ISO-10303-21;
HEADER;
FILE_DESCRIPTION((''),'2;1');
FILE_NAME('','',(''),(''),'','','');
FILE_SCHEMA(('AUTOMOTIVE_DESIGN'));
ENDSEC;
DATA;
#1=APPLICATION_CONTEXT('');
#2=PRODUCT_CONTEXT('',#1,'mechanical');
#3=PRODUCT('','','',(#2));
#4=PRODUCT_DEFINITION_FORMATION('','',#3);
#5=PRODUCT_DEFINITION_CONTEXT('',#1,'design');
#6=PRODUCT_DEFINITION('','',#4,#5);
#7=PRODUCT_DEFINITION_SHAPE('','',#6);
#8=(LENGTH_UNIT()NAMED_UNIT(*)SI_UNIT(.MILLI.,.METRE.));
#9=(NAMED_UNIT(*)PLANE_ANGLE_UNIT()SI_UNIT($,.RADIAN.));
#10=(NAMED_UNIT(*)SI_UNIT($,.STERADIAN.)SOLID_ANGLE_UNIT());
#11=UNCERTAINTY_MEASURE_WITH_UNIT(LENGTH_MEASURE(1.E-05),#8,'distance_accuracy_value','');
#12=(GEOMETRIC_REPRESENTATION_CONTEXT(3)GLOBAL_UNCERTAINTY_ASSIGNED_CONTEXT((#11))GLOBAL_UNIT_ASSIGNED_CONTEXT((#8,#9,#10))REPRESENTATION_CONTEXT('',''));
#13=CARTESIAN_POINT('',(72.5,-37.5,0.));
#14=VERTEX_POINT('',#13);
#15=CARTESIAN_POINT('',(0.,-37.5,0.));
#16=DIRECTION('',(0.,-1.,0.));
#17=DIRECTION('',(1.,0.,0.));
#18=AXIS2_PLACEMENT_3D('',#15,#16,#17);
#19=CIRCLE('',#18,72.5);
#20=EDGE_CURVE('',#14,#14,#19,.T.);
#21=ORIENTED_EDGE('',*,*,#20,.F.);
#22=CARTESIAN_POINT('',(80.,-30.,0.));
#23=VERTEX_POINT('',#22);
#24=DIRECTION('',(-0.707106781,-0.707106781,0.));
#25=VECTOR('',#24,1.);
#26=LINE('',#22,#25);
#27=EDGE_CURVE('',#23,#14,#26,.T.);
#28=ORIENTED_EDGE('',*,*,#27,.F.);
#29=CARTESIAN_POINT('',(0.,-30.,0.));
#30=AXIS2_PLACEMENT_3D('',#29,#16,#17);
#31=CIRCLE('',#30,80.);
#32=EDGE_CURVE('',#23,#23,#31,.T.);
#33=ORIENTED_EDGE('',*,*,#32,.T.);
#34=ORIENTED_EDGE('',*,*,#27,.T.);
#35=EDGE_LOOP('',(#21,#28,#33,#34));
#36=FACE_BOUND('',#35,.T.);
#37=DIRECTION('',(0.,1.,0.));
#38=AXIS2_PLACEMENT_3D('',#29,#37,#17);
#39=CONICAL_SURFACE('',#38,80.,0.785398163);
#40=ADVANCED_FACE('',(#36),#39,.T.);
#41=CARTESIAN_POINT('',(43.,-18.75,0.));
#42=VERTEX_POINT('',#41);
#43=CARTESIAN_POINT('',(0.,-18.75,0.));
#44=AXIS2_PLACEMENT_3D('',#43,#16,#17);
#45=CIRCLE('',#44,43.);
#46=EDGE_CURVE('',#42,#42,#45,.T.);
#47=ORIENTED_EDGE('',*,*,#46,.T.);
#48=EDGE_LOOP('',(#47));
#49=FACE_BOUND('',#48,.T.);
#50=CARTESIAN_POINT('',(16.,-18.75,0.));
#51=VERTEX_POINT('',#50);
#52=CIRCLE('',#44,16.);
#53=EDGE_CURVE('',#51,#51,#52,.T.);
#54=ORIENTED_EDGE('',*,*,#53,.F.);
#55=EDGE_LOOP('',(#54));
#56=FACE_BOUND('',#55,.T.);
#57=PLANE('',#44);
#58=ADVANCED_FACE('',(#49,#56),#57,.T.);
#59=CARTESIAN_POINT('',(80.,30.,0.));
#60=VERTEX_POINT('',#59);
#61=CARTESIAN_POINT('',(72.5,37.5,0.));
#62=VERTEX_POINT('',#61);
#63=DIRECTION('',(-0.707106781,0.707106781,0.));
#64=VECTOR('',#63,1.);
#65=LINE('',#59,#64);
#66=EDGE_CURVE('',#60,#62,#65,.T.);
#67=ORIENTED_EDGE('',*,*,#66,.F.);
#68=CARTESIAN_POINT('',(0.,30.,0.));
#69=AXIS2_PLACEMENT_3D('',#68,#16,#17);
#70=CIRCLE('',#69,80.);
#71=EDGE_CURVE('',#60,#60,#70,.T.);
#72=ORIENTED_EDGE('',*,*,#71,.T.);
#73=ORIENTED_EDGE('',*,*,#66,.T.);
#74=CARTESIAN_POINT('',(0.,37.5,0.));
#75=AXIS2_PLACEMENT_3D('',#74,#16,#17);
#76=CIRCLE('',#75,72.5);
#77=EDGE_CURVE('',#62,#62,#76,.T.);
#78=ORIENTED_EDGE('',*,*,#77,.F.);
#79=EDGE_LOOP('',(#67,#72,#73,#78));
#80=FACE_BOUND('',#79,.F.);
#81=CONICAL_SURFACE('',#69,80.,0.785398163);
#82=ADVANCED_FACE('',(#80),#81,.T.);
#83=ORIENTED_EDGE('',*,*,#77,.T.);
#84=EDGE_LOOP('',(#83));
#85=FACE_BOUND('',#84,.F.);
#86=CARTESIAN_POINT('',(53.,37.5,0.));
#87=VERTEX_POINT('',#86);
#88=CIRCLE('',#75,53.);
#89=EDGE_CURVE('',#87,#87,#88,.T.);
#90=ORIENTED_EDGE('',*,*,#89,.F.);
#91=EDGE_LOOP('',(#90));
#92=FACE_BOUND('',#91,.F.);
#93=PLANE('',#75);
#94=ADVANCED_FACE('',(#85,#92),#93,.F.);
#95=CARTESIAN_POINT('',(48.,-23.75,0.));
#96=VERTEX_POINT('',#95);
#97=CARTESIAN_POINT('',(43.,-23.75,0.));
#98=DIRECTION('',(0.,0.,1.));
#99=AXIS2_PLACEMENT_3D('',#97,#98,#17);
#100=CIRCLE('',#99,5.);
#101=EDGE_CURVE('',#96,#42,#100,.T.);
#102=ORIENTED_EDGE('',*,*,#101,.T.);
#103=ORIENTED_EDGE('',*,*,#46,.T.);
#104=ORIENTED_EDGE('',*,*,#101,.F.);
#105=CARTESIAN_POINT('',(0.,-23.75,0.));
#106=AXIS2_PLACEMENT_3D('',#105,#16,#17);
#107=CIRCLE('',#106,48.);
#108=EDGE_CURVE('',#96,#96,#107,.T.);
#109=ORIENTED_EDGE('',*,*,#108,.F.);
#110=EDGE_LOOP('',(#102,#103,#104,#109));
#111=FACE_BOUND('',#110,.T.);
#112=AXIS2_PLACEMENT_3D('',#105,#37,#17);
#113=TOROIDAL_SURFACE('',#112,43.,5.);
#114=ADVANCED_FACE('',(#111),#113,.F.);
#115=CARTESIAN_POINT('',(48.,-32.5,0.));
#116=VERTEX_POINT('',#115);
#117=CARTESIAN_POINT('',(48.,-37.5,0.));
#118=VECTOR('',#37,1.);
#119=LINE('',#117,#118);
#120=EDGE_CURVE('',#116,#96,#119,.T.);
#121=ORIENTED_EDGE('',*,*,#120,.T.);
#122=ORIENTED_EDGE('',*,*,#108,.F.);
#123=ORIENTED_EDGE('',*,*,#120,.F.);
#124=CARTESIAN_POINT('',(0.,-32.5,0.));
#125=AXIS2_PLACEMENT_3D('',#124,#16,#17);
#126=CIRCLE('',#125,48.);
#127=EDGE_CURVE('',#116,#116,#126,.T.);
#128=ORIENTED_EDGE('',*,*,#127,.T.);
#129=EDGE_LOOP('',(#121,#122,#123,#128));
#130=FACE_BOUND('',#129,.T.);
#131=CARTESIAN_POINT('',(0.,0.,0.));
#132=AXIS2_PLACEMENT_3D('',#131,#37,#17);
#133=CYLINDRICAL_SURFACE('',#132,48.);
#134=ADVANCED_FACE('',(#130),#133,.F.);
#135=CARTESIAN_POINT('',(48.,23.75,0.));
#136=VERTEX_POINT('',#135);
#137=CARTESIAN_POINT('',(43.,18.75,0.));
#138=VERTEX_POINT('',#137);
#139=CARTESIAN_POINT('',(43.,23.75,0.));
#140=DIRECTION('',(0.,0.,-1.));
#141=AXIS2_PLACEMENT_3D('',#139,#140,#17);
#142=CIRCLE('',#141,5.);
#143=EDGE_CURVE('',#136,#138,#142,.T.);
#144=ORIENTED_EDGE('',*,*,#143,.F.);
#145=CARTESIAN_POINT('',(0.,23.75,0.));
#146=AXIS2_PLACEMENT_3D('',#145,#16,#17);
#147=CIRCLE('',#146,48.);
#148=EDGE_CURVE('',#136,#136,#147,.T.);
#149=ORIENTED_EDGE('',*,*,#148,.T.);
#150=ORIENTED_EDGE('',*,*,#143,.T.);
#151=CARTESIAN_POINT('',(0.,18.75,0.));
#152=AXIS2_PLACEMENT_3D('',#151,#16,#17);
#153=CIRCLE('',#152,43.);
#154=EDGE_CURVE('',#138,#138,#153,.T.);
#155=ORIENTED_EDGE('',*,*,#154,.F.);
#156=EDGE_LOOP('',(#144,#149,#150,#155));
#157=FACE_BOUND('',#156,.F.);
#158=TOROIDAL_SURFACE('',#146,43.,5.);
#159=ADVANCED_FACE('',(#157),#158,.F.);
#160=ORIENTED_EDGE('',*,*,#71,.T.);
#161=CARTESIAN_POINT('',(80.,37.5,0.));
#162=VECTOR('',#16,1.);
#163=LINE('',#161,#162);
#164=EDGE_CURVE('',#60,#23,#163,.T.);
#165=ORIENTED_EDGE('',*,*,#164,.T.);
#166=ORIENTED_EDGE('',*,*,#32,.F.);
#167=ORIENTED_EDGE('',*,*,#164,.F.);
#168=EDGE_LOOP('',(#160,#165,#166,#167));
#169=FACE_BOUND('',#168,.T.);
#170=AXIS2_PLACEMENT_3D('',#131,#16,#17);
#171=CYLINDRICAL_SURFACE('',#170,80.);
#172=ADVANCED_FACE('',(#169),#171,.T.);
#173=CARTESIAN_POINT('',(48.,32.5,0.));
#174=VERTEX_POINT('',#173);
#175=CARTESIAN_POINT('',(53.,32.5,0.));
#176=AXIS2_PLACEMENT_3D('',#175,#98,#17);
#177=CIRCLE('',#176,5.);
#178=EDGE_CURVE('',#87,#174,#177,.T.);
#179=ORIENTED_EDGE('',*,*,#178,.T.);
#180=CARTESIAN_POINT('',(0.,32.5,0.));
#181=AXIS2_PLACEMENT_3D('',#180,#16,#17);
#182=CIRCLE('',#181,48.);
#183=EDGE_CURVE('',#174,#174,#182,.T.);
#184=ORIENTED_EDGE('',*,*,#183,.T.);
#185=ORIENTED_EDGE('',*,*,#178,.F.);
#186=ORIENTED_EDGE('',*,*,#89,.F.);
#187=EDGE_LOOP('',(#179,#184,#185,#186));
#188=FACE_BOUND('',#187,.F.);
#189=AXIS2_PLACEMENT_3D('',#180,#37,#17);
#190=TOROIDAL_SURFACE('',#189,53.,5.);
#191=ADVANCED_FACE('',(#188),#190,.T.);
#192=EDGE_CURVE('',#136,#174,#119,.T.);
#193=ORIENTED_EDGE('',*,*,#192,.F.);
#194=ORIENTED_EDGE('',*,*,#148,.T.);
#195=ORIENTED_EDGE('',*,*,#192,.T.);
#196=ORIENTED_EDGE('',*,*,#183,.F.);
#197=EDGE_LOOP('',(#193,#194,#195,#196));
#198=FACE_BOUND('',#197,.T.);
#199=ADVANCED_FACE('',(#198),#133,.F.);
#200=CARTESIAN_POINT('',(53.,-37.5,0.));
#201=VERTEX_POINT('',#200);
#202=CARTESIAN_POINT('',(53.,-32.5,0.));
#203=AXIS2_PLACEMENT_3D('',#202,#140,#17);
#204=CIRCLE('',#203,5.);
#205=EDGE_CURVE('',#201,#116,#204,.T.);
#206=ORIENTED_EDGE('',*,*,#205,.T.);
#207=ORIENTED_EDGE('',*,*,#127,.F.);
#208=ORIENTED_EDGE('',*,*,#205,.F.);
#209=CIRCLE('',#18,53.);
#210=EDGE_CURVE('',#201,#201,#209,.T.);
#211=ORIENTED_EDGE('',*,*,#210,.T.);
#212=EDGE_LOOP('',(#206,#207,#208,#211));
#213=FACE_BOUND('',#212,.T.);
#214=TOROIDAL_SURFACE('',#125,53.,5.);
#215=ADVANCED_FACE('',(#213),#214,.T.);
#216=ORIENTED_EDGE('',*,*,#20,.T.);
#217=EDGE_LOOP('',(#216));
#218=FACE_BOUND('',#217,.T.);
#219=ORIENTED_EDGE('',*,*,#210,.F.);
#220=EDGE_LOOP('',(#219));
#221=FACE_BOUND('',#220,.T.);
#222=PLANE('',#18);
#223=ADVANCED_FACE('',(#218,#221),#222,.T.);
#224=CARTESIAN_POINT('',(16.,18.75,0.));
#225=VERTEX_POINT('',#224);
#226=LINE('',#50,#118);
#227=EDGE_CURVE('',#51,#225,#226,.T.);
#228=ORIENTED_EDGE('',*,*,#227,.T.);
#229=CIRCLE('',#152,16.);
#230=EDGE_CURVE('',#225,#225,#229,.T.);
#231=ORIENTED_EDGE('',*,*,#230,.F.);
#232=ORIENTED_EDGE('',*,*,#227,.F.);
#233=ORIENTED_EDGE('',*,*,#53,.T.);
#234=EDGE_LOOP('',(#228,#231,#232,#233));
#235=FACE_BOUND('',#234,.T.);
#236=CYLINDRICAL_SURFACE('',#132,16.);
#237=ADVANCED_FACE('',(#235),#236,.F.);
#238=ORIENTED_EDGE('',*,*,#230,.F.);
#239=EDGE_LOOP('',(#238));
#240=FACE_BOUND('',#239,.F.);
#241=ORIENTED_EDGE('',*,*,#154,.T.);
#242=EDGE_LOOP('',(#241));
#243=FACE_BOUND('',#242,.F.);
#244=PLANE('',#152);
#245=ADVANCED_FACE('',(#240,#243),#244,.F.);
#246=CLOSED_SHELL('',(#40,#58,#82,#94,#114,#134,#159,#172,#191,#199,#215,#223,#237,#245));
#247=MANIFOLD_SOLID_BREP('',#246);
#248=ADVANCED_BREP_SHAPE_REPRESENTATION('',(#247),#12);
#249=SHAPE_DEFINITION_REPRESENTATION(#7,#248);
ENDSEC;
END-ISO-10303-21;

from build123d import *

# Parameters (mm, degrees)
F0_R     = 48
F0_R_2   = 16
F1_DEPTH = 18.75
F0_R_3   = 80
F2_DEPTH = 37.5
F3_SIZE  = 7.5
F4_R     = 5


with BuildPart() as f1:
    # F0 (on Front) → F1 (new body, symmetric)
    with BuildSketch(Plane.XZ):
        Circle(F0_R)
        Circle(F0_R_2, mode=Mode.SUBTRACT)
    extrude(amount=F1_DEPTH, both=True)

    # F0 (on Front) → F2 (join, symmetric)
    with BuildSketch(Plane.XZ):
        Circle(F0_R_3)
        Circle(F0_R, mode=Mode.SUBTRACT)
    extrude(amount=F2_DEPTH, both=True)

    # F3
    f3_edges = [f1.edges().sort_by_distance(p)[0] for p in [
        (-80, 37.5, 0),
        (-80, -37.5, 0),
    ]]
    chamfer(f3_edges, length=F3_SIZE)

    # F4
    f4_edges = [f1.edges().sort_by_distance(p)[0] for p in [
        (-48, -37.5, 0),
        (-48, 37.5, 0),
        (-48, 18.75, 0),
        (-48, -18.75, 0),
    ]]
    fillet(f4_edges, radius=F4_R)


solid = f1.part
